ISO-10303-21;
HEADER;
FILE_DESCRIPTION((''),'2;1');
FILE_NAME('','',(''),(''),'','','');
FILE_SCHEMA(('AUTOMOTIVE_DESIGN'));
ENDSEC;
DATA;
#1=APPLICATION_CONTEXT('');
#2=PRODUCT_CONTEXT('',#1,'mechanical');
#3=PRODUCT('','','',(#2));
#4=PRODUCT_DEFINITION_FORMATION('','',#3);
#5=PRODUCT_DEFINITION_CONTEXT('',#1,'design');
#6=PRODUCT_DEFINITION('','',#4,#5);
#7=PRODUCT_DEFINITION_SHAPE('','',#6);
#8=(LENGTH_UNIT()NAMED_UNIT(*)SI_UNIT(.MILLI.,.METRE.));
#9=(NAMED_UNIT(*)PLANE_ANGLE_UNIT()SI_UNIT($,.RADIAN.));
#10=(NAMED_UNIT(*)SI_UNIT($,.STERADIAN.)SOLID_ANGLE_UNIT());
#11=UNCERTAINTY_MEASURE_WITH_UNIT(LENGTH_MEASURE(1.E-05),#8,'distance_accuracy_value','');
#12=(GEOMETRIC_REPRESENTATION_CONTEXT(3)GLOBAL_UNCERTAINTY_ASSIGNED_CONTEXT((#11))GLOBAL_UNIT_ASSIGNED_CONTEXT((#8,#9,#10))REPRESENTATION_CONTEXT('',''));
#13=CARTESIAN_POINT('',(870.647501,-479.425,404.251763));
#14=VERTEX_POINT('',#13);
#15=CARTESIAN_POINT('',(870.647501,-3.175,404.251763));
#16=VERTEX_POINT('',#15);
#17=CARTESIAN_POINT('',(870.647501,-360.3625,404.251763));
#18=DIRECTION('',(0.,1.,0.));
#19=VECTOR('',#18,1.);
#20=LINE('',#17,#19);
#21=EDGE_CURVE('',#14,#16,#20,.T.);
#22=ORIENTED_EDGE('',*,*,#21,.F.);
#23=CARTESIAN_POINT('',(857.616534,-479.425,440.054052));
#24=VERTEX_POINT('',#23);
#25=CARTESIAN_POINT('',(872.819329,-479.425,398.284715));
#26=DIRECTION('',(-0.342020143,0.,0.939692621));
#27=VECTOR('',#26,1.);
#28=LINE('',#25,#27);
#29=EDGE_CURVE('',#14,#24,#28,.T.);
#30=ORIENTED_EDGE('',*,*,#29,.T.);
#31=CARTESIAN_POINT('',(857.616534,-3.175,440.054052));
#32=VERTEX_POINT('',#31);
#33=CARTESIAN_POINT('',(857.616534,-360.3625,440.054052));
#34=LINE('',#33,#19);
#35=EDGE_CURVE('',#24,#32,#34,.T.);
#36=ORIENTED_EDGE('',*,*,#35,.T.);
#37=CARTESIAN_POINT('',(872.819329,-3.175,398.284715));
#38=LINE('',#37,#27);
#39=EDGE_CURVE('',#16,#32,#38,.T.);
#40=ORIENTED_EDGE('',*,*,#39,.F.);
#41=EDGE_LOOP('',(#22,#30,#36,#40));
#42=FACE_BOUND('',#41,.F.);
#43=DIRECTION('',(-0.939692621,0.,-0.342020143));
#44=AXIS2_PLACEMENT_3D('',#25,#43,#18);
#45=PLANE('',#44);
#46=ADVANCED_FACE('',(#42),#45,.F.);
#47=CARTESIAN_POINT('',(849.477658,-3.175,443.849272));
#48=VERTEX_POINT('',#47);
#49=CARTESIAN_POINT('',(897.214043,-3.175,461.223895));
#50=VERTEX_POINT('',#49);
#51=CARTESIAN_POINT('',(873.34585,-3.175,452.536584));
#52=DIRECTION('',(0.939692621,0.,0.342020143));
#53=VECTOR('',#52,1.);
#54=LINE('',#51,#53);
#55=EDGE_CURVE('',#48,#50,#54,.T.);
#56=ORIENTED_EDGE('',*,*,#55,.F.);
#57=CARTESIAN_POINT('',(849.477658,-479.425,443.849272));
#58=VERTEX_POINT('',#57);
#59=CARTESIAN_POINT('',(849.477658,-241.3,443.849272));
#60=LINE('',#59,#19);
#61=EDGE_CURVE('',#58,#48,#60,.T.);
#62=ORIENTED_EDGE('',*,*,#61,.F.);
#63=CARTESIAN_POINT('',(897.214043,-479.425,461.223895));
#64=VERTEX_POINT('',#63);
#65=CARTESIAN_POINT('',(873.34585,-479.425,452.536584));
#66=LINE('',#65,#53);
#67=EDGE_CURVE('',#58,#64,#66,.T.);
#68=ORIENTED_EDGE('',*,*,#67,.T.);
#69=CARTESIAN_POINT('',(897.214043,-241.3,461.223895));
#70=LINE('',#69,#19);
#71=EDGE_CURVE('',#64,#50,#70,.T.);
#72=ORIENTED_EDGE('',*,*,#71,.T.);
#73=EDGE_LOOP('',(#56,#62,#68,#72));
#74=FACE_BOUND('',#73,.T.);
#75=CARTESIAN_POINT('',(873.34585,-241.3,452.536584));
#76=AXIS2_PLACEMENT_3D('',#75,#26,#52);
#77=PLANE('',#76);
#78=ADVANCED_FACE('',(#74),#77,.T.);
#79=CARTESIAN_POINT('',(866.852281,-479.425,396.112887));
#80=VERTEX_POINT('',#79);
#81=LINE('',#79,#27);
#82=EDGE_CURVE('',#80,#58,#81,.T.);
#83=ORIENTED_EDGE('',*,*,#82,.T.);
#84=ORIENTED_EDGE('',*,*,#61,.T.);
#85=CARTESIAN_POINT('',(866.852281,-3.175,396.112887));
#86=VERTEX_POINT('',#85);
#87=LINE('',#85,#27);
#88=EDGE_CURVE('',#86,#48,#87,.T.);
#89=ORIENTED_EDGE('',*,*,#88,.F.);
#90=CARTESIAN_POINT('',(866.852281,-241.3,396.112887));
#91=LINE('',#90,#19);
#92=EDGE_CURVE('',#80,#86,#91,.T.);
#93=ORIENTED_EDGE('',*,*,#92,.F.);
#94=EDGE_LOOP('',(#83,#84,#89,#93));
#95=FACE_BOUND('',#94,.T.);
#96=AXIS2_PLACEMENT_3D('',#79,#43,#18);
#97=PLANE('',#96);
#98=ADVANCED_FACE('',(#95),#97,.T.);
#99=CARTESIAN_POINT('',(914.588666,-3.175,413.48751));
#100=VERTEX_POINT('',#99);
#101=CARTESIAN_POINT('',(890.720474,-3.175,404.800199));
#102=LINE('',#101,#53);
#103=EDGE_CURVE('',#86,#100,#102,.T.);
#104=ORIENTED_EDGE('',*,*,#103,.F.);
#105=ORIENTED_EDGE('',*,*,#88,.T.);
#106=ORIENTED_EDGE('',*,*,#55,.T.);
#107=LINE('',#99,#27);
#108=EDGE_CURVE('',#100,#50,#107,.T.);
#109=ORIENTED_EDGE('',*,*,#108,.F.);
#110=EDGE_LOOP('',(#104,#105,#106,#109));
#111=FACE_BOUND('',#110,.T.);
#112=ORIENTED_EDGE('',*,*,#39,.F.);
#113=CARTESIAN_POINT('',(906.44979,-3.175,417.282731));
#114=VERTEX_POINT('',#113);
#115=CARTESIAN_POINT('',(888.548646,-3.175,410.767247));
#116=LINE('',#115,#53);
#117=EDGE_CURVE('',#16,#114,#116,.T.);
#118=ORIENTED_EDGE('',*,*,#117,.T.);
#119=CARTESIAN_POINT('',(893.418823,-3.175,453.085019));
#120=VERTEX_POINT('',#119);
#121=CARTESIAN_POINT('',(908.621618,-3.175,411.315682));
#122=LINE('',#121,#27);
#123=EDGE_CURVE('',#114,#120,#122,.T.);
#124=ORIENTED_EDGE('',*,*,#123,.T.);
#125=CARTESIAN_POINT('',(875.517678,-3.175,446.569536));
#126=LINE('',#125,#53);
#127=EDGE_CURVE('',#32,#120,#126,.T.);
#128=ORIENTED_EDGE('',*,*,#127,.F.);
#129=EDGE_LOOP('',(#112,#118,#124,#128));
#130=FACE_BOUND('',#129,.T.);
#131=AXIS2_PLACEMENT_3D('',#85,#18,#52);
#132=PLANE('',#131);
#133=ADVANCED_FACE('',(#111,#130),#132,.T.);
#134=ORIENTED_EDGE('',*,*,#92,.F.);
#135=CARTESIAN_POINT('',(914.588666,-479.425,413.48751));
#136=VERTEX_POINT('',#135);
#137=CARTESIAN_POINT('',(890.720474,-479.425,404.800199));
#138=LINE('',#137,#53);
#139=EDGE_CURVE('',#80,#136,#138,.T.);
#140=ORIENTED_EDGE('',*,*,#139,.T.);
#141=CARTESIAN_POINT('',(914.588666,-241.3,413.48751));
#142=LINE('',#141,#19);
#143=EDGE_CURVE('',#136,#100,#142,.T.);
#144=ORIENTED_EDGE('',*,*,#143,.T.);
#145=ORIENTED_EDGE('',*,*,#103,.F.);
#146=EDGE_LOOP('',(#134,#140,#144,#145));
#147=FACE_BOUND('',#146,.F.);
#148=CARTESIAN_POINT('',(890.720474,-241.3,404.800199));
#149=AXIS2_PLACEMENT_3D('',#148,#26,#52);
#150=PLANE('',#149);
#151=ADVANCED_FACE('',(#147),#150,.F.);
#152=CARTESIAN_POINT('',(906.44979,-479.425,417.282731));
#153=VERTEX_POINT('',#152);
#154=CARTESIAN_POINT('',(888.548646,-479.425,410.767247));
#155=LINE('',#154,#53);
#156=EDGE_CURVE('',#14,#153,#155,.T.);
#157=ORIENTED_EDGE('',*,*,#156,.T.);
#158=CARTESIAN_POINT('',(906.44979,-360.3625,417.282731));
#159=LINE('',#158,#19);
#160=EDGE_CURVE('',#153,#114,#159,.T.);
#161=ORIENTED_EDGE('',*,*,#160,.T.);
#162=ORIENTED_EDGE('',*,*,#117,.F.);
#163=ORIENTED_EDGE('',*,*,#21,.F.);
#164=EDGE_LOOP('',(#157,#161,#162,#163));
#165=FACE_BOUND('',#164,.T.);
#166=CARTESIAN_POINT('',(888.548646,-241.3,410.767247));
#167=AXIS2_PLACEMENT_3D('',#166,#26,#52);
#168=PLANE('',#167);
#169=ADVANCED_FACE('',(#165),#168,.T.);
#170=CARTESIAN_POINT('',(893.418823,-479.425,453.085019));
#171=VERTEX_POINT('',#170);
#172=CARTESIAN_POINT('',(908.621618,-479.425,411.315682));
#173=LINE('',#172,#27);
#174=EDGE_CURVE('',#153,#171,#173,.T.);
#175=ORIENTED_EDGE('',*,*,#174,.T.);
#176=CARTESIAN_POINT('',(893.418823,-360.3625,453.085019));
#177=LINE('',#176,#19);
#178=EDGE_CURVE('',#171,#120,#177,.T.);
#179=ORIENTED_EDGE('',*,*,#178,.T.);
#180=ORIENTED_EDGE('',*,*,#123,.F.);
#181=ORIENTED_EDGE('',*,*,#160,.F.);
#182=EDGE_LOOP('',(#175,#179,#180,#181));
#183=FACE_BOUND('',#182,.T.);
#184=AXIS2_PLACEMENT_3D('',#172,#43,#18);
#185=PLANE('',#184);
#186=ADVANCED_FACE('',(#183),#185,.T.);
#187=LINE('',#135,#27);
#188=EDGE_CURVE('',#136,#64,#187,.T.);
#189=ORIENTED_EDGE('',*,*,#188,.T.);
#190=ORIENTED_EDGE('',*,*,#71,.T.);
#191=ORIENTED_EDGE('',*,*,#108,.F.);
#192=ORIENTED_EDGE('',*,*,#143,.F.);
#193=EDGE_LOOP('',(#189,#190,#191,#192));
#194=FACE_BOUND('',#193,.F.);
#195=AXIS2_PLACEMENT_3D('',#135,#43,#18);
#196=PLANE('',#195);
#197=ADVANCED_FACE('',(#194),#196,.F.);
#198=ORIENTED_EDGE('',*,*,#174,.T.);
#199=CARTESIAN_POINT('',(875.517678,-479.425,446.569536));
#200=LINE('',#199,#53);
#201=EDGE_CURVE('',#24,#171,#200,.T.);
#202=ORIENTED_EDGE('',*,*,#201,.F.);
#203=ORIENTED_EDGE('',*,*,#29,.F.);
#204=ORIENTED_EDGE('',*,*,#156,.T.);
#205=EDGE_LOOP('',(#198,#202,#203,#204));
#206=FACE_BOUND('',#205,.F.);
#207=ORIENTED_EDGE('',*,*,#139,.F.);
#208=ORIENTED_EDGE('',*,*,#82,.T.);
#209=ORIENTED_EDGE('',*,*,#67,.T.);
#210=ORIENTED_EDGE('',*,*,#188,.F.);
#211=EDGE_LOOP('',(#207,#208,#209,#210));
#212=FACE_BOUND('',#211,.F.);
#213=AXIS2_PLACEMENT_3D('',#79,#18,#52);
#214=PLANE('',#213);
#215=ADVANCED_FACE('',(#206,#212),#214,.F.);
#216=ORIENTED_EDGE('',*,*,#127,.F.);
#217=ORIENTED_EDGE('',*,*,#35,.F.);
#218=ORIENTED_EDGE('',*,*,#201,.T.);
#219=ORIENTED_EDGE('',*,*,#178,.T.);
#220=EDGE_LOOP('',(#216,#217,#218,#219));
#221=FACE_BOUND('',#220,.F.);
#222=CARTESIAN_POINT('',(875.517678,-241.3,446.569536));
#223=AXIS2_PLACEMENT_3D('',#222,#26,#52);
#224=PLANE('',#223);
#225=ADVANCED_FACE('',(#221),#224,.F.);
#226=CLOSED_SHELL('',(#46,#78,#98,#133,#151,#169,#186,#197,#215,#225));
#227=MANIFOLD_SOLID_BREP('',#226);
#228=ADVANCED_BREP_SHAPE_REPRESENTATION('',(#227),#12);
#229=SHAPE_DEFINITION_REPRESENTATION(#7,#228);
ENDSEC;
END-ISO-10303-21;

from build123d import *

# Parameters (mm, degrees)
BOX_W           = 50.8
BOX_H           = 476.25
BOX_DEPTH       = 50.8
BOX_PITCH_ANGLE = -20
THICKNESS_T     = -6.35


with BuildPart() as part:
    # Box → Box (new body)
    with BuildSketch(Plane.XY):
        with Locations((25.4, 238.125)):
            Rectangle(BOX_W, BOX_H)
    extrude(amount=BOX_DEPTH)


with BuildPart() as part_1:
    # Box pitch: moved
    add(part.part.rotate(Axis((0, 0, 0), (0, 1, 0)), BOX_PITCH_ANGLE))


with BuildPart() as part_2:
    # Box placement: moved
    add(part_1.part.moved(Location((866.852281, -479.425, 396.112887))))

    # Thickness
    thickness_openings = [part_2.faces().sort_by_distance(p)[0] for p in [
        (882.033162, -479.425, 428.668391),
        (882.033162, -3.175, 428.668391),
    ]]
    offset(amount=THICKNESS_T, openings=thickness_openings)


solid = part_2.part
